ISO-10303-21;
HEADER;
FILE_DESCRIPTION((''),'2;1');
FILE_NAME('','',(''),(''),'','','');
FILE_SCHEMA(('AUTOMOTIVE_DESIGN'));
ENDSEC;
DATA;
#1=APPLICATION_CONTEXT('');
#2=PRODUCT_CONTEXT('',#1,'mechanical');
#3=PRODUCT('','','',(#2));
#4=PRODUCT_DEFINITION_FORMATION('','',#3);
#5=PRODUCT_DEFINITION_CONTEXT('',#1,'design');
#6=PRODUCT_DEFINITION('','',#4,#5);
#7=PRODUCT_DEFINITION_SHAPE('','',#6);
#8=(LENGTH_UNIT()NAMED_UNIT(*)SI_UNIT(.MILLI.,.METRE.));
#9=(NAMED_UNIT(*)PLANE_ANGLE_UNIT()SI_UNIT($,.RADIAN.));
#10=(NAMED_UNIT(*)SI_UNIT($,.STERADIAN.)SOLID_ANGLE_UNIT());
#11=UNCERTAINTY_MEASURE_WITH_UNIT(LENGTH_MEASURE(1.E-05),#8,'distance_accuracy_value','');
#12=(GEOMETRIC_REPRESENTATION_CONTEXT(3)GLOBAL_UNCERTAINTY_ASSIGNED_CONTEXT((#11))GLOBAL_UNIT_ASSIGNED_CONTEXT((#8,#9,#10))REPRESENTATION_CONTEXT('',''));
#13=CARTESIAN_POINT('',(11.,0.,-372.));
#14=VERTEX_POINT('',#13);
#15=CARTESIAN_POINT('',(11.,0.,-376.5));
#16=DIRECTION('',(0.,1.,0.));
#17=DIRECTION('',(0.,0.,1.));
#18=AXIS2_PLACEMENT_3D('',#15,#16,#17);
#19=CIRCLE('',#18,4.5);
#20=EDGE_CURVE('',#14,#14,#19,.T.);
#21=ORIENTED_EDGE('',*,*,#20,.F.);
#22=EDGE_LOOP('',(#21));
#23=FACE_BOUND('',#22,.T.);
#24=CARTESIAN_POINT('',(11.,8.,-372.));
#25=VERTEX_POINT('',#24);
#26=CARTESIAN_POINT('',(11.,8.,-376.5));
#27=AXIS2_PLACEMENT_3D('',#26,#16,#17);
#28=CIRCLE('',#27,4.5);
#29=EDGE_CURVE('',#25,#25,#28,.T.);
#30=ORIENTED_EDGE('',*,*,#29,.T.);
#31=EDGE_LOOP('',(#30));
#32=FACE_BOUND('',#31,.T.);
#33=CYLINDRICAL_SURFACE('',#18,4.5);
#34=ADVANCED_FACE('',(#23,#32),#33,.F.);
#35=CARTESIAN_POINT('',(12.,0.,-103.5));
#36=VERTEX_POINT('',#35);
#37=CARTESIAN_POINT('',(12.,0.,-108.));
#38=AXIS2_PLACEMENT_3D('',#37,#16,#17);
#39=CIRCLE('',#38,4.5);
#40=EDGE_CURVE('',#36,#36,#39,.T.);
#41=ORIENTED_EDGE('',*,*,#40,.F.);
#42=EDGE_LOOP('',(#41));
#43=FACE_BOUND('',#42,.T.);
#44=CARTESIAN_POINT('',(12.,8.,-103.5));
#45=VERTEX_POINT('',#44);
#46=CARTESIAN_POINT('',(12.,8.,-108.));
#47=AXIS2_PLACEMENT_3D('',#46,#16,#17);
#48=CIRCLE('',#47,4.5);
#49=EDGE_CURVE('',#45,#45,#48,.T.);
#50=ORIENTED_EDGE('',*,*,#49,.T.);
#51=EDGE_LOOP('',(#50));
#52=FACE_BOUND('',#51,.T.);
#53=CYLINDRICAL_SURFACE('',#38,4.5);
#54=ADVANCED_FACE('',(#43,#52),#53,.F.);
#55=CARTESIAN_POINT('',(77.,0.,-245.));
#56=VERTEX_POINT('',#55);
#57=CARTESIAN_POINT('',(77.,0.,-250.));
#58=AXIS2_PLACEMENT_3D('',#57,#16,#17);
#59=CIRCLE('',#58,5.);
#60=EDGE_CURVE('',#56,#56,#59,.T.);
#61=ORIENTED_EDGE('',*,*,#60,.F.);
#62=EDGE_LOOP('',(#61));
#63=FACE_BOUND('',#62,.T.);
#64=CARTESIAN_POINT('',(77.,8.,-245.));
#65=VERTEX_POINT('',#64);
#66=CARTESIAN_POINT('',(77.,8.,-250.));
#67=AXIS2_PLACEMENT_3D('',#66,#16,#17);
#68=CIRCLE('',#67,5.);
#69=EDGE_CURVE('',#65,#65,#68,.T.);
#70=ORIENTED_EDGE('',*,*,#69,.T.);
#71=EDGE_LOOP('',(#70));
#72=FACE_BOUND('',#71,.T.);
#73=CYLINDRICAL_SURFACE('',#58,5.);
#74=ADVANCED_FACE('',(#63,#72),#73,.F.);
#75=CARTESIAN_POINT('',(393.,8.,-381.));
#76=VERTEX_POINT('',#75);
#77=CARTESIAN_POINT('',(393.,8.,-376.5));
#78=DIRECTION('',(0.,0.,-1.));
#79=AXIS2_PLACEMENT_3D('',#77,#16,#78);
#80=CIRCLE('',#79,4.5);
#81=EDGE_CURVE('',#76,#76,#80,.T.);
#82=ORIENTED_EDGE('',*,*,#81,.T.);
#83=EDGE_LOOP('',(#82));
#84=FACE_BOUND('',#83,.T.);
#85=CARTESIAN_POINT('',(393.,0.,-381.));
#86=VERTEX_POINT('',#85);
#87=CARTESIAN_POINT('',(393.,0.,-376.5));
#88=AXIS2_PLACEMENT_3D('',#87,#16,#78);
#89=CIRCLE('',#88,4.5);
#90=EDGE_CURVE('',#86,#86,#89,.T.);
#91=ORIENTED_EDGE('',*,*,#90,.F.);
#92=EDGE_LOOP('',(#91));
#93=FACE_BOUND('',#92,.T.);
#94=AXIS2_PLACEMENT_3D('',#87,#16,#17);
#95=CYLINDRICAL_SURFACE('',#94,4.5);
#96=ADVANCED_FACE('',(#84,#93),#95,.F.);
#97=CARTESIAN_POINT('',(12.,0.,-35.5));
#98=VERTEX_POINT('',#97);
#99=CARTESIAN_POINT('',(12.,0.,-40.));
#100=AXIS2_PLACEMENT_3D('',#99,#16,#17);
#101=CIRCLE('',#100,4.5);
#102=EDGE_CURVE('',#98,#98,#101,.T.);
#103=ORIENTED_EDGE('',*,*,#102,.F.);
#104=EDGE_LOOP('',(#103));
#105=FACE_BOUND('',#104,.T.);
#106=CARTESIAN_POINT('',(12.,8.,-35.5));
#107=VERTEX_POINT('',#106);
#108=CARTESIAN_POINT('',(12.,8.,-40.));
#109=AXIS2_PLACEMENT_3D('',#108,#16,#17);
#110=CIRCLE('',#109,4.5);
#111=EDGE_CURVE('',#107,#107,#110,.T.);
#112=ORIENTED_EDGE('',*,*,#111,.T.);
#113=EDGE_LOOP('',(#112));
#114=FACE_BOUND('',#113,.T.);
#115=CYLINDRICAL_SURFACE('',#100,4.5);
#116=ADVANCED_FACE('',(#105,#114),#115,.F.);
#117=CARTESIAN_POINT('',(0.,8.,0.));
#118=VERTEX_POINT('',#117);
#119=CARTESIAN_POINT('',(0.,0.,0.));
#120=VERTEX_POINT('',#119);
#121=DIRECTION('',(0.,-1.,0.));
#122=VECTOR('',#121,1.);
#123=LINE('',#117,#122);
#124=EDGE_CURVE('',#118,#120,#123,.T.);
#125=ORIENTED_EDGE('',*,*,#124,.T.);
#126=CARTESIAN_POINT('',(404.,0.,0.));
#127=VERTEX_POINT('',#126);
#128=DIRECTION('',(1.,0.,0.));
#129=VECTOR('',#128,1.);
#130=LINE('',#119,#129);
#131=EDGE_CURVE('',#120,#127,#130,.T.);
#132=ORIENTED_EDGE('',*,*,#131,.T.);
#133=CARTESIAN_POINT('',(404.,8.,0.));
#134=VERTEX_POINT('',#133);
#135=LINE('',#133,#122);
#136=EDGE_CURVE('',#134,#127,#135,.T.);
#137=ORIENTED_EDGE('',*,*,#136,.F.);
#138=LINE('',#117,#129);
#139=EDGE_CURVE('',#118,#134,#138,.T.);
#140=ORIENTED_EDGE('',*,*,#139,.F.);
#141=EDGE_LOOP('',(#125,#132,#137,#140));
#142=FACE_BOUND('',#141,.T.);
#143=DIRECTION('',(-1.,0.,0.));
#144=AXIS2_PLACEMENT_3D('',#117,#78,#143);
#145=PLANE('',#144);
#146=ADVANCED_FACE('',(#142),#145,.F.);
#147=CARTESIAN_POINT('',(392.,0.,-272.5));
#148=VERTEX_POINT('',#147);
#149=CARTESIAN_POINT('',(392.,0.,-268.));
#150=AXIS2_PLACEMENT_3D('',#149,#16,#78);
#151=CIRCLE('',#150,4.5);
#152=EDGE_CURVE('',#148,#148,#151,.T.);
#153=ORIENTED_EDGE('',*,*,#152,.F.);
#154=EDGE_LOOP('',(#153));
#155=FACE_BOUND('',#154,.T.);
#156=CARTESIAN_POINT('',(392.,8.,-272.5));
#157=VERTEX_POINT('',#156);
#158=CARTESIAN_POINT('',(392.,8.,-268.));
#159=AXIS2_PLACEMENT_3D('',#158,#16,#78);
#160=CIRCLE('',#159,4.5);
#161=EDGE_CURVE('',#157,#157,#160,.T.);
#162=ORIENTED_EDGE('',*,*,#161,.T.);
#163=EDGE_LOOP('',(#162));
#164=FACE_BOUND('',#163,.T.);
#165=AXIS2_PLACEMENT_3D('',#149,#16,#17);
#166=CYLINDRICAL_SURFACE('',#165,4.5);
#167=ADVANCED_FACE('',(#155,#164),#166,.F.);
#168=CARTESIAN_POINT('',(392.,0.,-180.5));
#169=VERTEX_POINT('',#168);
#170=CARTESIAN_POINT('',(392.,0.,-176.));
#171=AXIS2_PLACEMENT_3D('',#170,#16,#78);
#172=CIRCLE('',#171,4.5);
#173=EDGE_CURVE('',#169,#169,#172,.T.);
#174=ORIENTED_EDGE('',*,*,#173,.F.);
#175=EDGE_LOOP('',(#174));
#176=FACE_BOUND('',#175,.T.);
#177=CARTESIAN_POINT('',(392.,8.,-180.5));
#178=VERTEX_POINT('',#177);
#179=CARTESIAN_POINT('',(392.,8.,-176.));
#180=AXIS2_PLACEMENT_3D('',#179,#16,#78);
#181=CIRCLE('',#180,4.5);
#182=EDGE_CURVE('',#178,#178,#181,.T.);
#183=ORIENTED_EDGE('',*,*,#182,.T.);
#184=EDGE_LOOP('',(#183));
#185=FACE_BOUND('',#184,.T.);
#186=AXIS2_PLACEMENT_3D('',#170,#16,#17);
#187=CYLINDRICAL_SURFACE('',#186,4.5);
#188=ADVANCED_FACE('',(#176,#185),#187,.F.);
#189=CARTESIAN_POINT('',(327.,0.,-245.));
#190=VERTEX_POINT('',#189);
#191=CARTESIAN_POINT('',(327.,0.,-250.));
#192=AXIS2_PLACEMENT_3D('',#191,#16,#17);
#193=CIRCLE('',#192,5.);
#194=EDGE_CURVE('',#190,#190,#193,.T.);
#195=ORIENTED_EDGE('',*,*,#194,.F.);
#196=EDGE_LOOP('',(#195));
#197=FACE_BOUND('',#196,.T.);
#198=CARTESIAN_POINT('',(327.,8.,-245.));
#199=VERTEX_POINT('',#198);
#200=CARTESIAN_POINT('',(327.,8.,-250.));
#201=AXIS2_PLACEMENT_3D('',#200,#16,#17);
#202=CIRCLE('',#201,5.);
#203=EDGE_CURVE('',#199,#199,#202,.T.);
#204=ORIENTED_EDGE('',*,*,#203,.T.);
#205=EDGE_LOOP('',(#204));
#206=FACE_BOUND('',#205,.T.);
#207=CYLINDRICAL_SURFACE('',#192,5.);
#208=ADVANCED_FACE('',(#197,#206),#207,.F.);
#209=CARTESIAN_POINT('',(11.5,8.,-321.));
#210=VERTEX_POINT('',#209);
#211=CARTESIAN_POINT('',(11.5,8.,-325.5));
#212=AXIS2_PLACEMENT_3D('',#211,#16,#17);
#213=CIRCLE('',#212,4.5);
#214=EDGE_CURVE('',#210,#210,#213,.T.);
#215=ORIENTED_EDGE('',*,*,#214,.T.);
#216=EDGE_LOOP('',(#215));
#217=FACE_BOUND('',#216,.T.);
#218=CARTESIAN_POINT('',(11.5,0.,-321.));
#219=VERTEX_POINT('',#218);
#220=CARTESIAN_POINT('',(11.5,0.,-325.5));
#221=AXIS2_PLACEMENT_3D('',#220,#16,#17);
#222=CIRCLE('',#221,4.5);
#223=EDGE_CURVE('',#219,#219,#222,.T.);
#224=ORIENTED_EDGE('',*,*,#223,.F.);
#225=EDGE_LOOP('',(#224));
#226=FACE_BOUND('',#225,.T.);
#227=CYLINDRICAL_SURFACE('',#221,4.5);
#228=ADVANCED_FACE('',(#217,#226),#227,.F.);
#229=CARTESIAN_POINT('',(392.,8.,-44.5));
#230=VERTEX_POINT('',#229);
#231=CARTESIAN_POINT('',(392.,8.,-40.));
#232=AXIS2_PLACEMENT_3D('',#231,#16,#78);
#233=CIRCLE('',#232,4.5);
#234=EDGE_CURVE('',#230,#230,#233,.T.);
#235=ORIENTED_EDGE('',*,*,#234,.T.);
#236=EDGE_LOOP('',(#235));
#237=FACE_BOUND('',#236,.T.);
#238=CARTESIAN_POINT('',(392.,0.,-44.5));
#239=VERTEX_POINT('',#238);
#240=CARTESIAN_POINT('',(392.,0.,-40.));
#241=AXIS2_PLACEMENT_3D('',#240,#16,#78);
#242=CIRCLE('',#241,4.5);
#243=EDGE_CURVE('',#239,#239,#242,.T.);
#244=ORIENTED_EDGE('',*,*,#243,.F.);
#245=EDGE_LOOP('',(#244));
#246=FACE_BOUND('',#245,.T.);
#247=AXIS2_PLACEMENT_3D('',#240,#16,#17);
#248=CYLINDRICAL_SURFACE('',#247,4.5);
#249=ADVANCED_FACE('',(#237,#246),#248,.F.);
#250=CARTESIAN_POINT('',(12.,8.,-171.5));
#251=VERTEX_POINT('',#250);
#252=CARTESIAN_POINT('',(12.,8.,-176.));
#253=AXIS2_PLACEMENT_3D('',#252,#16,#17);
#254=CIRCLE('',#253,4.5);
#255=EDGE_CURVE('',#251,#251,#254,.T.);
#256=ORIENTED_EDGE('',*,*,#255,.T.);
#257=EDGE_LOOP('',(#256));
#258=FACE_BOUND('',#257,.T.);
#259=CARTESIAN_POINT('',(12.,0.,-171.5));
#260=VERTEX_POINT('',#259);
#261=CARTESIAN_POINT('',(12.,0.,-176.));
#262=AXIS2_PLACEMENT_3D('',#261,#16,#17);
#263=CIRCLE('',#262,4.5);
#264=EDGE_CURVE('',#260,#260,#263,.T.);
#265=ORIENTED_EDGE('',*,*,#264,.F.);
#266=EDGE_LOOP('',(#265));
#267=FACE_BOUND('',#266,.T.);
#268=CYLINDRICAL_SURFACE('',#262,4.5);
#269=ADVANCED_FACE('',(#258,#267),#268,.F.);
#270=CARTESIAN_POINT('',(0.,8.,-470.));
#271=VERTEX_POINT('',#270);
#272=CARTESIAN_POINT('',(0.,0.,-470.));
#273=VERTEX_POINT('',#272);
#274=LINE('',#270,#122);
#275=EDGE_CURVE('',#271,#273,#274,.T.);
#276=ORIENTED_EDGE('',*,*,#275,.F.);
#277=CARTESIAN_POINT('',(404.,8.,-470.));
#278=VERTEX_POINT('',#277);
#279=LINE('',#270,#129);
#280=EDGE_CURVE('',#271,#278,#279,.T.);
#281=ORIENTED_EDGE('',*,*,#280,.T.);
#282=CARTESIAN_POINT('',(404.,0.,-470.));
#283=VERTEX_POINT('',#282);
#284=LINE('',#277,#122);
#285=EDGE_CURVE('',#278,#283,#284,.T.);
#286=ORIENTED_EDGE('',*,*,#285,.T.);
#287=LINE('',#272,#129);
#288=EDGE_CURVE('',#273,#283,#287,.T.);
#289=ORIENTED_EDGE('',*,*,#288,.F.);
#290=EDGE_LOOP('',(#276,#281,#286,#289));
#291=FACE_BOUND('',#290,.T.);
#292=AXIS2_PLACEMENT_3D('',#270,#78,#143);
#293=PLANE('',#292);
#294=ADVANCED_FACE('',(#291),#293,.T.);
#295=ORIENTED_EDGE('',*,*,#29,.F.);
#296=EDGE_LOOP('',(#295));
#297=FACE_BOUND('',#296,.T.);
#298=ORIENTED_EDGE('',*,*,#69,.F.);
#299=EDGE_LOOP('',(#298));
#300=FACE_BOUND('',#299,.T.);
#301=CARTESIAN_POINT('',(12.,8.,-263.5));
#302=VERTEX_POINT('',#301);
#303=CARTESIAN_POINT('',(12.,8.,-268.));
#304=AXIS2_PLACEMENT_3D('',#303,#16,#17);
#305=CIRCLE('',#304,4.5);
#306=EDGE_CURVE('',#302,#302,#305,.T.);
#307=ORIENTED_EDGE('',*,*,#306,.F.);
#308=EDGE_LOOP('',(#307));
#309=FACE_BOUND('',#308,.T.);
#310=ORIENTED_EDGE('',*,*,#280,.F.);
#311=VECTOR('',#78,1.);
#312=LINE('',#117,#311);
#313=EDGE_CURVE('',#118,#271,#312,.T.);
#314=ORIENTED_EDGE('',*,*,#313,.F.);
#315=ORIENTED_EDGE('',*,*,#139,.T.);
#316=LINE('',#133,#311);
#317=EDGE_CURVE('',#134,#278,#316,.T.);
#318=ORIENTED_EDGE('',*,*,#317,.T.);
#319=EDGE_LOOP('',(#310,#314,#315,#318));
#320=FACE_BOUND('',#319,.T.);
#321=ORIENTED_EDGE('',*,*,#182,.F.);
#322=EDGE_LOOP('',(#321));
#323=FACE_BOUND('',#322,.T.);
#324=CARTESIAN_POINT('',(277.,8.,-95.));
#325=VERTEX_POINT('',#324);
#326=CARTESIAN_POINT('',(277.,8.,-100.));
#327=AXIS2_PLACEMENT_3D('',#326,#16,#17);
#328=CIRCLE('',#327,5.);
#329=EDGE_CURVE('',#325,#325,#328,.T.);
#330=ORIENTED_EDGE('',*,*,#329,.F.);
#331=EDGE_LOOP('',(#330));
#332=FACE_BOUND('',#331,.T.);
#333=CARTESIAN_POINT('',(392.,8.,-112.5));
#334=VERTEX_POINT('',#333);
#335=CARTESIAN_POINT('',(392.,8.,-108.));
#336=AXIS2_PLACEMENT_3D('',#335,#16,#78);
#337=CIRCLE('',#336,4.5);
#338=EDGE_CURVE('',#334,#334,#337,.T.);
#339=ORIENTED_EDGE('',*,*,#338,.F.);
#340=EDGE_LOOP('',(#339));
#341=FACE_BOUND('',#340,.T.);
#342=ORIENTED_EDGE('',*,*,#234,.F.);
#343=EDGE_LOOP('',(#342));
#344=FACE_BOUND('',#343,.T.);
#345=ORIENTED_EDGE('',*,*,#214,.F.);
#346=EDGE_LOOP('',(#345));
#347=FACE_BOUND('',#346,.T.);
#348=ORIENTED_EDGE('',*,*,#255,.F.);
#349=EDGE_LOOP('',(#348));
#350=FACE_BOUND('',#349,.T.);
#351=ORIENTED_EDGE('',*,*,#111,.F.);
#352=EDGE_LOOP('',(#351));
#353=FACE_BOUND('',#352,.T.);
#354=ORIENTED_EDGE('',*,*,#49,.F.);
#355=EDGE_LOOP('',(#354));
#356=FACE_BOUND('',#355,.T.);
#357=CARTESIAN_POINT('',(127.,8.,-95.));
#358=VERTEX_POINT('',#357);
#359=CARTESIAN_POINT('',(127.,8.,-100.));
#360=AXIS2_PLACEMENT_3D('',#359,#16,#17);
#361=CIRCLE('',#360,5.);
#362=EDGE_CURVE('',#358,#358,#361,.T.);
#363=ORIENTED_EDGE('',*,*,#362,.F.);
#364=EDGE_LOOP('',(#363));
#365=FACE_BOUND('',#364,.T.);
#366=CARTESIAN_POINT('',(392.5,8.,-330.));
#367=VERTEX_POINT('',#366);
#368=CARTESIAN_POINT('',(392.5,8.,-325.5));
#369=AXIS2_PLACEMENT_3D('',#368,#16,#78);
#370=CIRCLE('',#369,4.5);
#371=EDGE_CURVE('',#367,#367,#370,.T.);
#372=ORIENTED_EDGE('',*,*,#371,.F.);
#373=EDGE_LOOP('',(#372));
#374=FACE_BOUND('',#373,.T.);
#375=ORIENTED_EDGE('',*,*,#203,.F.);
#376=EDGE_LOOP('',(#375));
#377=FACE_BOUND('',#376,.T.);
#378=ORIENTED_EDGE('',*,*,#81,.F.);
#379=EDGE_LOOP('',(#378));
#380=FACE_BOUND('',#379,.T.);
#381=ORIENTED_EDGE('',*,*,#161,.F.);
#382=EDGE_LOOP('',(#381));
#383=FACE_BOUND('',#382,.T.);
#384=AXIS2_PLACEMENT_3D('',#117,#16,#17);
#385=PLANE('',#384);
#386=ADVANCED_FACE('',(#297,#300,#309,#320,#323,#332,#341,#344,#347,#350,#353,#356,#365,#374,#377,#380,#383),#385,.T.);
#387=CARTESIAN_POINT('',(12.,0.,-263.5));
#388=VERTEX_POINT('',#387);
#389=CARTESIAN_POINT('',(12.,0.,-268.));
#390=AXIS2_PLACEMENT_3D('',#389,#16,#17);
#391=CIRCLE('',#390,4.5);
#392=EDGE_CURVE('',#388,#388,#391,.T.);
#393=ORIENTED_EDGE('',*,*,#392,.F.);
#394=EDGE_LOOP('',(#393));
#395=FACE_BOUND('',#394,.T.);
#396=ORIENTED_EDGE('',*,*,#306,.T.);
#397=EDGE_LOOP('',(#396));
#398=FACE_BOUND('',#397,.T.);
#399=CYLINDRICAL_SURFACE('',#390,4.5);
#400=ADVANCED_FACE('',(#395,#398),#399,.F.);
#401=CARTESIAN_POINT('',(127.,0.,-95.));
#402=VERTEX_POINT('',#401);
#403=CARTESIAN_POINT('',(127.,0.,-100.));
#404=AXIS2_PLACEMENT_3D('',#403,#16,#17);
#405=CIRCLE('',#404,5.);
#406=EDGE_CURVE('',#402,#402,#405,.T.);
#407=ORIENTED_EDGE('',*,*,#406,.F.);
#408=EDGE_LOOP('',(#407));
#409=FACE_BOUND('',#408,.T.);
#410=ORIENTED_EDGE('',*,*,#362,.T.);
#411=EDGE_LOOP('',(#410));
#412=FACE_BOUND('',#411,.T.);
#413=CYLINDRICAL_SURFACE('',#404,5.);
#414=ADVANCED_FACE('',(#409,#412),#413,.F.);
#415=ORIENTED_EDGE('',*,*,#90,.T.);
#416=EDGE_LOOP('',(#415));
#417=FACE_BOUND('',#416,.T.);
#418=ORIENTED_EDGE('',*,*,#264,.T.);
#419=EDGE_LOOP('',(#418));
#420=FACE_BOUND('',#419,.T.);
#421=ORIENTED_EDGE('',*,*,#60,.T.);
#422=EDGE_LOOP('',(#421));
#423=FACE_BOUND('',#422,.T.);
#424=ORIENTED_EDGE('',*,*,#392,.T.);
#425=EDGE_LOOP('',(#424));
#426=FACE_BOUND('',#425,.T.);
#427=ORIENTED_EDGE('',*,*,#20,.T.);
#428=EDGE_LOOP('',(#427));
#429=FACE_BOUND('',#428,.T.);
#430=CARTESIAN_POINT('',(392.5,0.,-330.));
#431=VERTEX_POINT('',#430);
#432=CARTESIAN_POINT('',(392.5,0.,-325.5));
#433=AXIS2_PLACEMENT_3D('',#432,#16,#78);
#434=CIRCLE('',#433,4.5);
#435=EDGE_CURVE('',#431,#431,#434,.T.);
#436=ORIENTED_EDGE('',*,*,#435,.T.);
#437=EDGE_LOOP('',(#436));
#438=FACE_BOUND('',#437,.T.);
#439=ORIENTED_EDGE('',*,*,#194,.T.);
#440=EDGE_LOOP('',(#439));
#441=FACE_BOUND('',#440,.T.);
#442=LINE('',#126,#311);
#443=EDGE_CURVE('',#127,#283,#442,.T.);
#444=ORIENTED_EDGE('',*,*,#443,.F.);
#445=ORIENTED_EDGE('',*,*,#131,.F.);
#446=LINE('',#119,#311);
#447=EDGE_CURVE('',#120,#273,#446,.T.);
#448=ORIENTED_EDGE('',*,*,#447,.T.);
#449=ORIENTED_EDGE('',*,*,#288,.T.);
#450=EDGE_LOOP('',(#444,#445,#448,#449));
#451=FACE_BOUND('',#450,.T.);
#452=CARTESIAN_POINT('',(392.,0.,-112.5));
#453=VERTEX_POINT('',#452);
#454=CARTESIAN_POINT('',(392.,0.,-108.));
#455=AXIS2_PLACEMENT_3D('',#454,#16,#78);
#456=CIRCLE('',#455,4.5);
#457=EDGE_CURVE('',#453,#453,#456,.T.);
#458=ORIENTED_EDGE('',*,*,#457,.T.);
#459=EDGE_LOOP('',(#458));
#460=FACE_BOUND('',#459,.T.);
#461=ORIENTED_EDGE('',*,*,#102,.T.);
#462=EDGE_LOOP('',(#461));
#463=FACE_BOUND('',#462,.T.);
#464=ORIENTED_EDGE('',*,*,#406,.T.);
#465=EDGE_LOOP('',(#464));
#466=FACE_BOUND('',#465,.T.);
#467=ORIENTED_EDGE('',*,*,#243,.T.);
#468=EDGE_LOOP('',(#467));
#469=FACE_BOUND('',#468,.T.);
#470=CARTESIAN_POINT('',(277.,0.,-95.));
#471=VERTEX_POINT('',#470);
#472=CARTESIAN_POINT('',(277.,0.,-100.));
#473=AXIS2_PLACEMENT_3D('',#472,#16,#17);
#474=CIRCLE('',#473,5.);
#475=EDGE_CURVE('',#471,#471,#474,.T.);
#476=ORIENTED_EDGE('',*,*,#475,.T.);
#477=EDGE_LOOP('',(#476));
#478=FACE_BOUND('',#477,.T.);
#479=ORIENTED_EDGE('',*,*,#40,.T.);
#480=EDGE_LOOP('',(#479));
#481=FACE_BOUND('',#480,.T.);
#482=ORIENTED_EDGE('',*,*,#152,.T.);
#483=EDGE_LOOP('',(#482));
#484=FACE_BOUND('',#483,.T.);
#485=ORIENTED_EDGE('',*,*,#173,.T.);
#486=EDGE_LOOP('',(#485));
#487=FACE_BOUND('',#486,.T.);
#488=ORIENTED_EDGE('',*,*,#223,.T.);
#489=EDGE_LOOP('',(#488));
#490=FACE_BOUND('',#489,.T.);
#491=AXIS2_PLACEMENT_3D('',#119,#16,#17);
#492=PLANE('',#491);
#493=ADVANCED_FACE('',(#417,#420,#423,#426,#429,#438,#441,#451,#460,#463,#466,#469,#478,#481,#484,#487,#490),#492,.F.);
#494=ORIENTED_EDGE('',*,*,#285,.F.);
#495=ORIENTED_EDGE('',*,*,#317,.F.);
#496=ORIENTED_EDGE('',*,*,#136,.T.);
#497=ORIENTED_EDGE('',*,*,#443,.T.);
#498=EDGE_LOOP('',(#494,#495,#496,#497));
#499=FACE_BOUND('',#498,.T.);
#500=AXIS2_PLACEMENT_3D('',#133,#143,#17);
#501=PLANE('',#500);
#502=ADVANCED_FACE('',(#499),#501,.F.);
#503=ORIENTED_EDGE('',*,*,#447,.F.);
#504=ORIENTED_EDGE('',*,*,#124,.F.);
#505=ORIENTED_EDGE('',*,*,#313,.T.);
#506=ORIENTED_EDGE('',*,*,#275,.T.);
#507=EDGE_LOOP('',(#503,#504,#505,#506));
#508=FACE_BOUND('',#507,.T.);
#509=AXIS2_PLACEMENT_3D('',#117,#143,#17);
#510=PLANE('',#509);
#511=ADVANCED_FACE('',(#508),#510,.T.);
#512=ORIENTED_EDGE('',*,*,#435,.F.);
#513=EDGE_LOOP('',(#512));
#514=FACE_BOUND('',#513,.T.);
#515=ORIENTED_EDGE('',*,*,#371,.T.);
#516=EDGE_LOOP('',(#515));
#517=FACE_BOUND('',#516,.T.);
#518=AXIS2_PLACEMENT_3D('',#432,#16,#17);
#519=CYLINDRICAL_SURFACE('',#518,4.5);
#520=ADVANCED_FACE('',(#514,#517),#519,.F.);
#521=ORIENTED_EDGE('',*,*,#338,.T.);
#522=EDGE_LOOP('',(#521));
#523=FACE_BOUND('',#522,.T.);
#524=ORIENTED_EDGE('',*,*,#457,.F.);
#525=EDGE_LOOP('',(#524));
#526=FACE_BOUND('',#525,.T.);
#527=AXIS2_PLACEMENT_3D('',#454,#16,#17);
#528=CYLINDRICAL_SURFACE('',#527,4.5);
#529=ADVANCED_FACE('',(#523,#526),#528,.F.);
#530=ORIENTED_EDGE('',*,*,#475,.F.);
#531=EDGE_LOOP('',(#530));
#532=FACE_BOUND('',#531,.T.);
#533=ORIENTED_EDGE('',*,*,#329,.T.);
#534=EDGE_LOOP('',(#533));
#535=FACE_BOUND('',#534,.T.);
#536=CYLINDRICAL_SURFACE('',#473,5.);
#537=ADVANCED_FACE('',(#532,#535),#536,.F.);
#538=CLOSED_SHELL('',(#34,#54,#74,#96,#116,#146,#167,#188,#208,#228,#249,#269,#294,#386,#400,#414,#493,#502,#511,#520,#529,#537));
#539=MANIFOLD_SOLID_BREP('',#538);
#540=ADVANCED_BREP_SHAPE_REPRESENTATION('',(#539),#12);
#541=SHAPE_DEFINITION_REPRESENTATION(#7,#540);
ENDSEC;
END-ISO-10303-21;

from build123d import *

# Parameters (mm, degrees)
SKETCH2_W           = 404
SKETCH2_H           = 470
BOSS_EXTRUDE1_DEPTH = 8
SKETCH3_R           = 4.5
SKETCH3_R_2         = 5
CUT_EXTRUDE1_DEPTH  = 8


with BuildPart() as part:
    # Sketch2 → Boss-Extrude1 (new body)
    with BuildSketch(Plane(origin=(0, 0, 0), x_dir=(1, 0, 0), z_dir=(0, 1, 0))):
        with Locations((202, 235)):
            Rectangle(SKETCH2_W, SKETCH2_H)
    extrude(amount=BOSS_EXTRUDE1_DEPTH)

    # Sketch3 → Cut-Extrude1 (cut)
    with BuildSketch(Plane(origin=(0, 8, 0), x_dir=(1, 0, 0), z_dir=(0, 1, 0))):
        with Locations(Location((12, 40, 0), (0, 0, 270))):
            Circle(SKETCH3_R)
        with Locations(Location((12, 108, 0), (0, 0, 270))):
            Circle(SKETCH3_R)
        with Locations(Location((12, 176, 0), (0, 0, 270))):
            Circle(SKETCH3_R)
        with Locations(Location((12, 268, 0), (0, 0, 270))):
            Circle(SKETCH3_R)
        with Locations(Location((11.5, 325.5, 0), (0, 0, 270))):
            Circle(SKETCH3_R)
        with Locations(Location((11, 376.5, 0), (0, 0, 270))):
            Circle(SKETCH3_R)
        with Locations(Location((392, 40, 0), (0, 0, 90))):
            Circle(SKETCH3_R)
        with Locations(Location((392, 108, 0), (0, 0, 90))):
            Circle(SKETCH3_R)
        with Locations(Location((392, 176, 0), (0, 0, 90))):
            Circle(SKETCH3_R)
        with Locations(Location((392, 268, 0), (0, 0, 90))):
            Circle(SKETCH3_R)
        with Locations(Location((392.5, 325.5, 0), (0, 0, 90))):
            Circle(SKETCH3_R)
        with Locations(Location((393, 376.5, 0), (0, 0, 90))):
            Circle(SKETCH3_R)
        with Locations(Location((127, 100, 0), (0, 0, 270))):
            Circle(SKETCH3_R_2)
        with Locations(Location((277, 100, 0), (0, 0, 270))):
            Circle(SKETCH3_R_2)
        with Locations(Location((77, 250, 0), (0, 0, 270))):
            Circle(SKETCH3_R_2)
        with Locations(Location((327, 250, 0), (0, 0, 270))):
            Circle(SKETCH3_R_2)
    extrude(amount=-CUT_EXTRUDE1_DEPTH, mode=Mode.SUBTRACT)


solid = part.part
